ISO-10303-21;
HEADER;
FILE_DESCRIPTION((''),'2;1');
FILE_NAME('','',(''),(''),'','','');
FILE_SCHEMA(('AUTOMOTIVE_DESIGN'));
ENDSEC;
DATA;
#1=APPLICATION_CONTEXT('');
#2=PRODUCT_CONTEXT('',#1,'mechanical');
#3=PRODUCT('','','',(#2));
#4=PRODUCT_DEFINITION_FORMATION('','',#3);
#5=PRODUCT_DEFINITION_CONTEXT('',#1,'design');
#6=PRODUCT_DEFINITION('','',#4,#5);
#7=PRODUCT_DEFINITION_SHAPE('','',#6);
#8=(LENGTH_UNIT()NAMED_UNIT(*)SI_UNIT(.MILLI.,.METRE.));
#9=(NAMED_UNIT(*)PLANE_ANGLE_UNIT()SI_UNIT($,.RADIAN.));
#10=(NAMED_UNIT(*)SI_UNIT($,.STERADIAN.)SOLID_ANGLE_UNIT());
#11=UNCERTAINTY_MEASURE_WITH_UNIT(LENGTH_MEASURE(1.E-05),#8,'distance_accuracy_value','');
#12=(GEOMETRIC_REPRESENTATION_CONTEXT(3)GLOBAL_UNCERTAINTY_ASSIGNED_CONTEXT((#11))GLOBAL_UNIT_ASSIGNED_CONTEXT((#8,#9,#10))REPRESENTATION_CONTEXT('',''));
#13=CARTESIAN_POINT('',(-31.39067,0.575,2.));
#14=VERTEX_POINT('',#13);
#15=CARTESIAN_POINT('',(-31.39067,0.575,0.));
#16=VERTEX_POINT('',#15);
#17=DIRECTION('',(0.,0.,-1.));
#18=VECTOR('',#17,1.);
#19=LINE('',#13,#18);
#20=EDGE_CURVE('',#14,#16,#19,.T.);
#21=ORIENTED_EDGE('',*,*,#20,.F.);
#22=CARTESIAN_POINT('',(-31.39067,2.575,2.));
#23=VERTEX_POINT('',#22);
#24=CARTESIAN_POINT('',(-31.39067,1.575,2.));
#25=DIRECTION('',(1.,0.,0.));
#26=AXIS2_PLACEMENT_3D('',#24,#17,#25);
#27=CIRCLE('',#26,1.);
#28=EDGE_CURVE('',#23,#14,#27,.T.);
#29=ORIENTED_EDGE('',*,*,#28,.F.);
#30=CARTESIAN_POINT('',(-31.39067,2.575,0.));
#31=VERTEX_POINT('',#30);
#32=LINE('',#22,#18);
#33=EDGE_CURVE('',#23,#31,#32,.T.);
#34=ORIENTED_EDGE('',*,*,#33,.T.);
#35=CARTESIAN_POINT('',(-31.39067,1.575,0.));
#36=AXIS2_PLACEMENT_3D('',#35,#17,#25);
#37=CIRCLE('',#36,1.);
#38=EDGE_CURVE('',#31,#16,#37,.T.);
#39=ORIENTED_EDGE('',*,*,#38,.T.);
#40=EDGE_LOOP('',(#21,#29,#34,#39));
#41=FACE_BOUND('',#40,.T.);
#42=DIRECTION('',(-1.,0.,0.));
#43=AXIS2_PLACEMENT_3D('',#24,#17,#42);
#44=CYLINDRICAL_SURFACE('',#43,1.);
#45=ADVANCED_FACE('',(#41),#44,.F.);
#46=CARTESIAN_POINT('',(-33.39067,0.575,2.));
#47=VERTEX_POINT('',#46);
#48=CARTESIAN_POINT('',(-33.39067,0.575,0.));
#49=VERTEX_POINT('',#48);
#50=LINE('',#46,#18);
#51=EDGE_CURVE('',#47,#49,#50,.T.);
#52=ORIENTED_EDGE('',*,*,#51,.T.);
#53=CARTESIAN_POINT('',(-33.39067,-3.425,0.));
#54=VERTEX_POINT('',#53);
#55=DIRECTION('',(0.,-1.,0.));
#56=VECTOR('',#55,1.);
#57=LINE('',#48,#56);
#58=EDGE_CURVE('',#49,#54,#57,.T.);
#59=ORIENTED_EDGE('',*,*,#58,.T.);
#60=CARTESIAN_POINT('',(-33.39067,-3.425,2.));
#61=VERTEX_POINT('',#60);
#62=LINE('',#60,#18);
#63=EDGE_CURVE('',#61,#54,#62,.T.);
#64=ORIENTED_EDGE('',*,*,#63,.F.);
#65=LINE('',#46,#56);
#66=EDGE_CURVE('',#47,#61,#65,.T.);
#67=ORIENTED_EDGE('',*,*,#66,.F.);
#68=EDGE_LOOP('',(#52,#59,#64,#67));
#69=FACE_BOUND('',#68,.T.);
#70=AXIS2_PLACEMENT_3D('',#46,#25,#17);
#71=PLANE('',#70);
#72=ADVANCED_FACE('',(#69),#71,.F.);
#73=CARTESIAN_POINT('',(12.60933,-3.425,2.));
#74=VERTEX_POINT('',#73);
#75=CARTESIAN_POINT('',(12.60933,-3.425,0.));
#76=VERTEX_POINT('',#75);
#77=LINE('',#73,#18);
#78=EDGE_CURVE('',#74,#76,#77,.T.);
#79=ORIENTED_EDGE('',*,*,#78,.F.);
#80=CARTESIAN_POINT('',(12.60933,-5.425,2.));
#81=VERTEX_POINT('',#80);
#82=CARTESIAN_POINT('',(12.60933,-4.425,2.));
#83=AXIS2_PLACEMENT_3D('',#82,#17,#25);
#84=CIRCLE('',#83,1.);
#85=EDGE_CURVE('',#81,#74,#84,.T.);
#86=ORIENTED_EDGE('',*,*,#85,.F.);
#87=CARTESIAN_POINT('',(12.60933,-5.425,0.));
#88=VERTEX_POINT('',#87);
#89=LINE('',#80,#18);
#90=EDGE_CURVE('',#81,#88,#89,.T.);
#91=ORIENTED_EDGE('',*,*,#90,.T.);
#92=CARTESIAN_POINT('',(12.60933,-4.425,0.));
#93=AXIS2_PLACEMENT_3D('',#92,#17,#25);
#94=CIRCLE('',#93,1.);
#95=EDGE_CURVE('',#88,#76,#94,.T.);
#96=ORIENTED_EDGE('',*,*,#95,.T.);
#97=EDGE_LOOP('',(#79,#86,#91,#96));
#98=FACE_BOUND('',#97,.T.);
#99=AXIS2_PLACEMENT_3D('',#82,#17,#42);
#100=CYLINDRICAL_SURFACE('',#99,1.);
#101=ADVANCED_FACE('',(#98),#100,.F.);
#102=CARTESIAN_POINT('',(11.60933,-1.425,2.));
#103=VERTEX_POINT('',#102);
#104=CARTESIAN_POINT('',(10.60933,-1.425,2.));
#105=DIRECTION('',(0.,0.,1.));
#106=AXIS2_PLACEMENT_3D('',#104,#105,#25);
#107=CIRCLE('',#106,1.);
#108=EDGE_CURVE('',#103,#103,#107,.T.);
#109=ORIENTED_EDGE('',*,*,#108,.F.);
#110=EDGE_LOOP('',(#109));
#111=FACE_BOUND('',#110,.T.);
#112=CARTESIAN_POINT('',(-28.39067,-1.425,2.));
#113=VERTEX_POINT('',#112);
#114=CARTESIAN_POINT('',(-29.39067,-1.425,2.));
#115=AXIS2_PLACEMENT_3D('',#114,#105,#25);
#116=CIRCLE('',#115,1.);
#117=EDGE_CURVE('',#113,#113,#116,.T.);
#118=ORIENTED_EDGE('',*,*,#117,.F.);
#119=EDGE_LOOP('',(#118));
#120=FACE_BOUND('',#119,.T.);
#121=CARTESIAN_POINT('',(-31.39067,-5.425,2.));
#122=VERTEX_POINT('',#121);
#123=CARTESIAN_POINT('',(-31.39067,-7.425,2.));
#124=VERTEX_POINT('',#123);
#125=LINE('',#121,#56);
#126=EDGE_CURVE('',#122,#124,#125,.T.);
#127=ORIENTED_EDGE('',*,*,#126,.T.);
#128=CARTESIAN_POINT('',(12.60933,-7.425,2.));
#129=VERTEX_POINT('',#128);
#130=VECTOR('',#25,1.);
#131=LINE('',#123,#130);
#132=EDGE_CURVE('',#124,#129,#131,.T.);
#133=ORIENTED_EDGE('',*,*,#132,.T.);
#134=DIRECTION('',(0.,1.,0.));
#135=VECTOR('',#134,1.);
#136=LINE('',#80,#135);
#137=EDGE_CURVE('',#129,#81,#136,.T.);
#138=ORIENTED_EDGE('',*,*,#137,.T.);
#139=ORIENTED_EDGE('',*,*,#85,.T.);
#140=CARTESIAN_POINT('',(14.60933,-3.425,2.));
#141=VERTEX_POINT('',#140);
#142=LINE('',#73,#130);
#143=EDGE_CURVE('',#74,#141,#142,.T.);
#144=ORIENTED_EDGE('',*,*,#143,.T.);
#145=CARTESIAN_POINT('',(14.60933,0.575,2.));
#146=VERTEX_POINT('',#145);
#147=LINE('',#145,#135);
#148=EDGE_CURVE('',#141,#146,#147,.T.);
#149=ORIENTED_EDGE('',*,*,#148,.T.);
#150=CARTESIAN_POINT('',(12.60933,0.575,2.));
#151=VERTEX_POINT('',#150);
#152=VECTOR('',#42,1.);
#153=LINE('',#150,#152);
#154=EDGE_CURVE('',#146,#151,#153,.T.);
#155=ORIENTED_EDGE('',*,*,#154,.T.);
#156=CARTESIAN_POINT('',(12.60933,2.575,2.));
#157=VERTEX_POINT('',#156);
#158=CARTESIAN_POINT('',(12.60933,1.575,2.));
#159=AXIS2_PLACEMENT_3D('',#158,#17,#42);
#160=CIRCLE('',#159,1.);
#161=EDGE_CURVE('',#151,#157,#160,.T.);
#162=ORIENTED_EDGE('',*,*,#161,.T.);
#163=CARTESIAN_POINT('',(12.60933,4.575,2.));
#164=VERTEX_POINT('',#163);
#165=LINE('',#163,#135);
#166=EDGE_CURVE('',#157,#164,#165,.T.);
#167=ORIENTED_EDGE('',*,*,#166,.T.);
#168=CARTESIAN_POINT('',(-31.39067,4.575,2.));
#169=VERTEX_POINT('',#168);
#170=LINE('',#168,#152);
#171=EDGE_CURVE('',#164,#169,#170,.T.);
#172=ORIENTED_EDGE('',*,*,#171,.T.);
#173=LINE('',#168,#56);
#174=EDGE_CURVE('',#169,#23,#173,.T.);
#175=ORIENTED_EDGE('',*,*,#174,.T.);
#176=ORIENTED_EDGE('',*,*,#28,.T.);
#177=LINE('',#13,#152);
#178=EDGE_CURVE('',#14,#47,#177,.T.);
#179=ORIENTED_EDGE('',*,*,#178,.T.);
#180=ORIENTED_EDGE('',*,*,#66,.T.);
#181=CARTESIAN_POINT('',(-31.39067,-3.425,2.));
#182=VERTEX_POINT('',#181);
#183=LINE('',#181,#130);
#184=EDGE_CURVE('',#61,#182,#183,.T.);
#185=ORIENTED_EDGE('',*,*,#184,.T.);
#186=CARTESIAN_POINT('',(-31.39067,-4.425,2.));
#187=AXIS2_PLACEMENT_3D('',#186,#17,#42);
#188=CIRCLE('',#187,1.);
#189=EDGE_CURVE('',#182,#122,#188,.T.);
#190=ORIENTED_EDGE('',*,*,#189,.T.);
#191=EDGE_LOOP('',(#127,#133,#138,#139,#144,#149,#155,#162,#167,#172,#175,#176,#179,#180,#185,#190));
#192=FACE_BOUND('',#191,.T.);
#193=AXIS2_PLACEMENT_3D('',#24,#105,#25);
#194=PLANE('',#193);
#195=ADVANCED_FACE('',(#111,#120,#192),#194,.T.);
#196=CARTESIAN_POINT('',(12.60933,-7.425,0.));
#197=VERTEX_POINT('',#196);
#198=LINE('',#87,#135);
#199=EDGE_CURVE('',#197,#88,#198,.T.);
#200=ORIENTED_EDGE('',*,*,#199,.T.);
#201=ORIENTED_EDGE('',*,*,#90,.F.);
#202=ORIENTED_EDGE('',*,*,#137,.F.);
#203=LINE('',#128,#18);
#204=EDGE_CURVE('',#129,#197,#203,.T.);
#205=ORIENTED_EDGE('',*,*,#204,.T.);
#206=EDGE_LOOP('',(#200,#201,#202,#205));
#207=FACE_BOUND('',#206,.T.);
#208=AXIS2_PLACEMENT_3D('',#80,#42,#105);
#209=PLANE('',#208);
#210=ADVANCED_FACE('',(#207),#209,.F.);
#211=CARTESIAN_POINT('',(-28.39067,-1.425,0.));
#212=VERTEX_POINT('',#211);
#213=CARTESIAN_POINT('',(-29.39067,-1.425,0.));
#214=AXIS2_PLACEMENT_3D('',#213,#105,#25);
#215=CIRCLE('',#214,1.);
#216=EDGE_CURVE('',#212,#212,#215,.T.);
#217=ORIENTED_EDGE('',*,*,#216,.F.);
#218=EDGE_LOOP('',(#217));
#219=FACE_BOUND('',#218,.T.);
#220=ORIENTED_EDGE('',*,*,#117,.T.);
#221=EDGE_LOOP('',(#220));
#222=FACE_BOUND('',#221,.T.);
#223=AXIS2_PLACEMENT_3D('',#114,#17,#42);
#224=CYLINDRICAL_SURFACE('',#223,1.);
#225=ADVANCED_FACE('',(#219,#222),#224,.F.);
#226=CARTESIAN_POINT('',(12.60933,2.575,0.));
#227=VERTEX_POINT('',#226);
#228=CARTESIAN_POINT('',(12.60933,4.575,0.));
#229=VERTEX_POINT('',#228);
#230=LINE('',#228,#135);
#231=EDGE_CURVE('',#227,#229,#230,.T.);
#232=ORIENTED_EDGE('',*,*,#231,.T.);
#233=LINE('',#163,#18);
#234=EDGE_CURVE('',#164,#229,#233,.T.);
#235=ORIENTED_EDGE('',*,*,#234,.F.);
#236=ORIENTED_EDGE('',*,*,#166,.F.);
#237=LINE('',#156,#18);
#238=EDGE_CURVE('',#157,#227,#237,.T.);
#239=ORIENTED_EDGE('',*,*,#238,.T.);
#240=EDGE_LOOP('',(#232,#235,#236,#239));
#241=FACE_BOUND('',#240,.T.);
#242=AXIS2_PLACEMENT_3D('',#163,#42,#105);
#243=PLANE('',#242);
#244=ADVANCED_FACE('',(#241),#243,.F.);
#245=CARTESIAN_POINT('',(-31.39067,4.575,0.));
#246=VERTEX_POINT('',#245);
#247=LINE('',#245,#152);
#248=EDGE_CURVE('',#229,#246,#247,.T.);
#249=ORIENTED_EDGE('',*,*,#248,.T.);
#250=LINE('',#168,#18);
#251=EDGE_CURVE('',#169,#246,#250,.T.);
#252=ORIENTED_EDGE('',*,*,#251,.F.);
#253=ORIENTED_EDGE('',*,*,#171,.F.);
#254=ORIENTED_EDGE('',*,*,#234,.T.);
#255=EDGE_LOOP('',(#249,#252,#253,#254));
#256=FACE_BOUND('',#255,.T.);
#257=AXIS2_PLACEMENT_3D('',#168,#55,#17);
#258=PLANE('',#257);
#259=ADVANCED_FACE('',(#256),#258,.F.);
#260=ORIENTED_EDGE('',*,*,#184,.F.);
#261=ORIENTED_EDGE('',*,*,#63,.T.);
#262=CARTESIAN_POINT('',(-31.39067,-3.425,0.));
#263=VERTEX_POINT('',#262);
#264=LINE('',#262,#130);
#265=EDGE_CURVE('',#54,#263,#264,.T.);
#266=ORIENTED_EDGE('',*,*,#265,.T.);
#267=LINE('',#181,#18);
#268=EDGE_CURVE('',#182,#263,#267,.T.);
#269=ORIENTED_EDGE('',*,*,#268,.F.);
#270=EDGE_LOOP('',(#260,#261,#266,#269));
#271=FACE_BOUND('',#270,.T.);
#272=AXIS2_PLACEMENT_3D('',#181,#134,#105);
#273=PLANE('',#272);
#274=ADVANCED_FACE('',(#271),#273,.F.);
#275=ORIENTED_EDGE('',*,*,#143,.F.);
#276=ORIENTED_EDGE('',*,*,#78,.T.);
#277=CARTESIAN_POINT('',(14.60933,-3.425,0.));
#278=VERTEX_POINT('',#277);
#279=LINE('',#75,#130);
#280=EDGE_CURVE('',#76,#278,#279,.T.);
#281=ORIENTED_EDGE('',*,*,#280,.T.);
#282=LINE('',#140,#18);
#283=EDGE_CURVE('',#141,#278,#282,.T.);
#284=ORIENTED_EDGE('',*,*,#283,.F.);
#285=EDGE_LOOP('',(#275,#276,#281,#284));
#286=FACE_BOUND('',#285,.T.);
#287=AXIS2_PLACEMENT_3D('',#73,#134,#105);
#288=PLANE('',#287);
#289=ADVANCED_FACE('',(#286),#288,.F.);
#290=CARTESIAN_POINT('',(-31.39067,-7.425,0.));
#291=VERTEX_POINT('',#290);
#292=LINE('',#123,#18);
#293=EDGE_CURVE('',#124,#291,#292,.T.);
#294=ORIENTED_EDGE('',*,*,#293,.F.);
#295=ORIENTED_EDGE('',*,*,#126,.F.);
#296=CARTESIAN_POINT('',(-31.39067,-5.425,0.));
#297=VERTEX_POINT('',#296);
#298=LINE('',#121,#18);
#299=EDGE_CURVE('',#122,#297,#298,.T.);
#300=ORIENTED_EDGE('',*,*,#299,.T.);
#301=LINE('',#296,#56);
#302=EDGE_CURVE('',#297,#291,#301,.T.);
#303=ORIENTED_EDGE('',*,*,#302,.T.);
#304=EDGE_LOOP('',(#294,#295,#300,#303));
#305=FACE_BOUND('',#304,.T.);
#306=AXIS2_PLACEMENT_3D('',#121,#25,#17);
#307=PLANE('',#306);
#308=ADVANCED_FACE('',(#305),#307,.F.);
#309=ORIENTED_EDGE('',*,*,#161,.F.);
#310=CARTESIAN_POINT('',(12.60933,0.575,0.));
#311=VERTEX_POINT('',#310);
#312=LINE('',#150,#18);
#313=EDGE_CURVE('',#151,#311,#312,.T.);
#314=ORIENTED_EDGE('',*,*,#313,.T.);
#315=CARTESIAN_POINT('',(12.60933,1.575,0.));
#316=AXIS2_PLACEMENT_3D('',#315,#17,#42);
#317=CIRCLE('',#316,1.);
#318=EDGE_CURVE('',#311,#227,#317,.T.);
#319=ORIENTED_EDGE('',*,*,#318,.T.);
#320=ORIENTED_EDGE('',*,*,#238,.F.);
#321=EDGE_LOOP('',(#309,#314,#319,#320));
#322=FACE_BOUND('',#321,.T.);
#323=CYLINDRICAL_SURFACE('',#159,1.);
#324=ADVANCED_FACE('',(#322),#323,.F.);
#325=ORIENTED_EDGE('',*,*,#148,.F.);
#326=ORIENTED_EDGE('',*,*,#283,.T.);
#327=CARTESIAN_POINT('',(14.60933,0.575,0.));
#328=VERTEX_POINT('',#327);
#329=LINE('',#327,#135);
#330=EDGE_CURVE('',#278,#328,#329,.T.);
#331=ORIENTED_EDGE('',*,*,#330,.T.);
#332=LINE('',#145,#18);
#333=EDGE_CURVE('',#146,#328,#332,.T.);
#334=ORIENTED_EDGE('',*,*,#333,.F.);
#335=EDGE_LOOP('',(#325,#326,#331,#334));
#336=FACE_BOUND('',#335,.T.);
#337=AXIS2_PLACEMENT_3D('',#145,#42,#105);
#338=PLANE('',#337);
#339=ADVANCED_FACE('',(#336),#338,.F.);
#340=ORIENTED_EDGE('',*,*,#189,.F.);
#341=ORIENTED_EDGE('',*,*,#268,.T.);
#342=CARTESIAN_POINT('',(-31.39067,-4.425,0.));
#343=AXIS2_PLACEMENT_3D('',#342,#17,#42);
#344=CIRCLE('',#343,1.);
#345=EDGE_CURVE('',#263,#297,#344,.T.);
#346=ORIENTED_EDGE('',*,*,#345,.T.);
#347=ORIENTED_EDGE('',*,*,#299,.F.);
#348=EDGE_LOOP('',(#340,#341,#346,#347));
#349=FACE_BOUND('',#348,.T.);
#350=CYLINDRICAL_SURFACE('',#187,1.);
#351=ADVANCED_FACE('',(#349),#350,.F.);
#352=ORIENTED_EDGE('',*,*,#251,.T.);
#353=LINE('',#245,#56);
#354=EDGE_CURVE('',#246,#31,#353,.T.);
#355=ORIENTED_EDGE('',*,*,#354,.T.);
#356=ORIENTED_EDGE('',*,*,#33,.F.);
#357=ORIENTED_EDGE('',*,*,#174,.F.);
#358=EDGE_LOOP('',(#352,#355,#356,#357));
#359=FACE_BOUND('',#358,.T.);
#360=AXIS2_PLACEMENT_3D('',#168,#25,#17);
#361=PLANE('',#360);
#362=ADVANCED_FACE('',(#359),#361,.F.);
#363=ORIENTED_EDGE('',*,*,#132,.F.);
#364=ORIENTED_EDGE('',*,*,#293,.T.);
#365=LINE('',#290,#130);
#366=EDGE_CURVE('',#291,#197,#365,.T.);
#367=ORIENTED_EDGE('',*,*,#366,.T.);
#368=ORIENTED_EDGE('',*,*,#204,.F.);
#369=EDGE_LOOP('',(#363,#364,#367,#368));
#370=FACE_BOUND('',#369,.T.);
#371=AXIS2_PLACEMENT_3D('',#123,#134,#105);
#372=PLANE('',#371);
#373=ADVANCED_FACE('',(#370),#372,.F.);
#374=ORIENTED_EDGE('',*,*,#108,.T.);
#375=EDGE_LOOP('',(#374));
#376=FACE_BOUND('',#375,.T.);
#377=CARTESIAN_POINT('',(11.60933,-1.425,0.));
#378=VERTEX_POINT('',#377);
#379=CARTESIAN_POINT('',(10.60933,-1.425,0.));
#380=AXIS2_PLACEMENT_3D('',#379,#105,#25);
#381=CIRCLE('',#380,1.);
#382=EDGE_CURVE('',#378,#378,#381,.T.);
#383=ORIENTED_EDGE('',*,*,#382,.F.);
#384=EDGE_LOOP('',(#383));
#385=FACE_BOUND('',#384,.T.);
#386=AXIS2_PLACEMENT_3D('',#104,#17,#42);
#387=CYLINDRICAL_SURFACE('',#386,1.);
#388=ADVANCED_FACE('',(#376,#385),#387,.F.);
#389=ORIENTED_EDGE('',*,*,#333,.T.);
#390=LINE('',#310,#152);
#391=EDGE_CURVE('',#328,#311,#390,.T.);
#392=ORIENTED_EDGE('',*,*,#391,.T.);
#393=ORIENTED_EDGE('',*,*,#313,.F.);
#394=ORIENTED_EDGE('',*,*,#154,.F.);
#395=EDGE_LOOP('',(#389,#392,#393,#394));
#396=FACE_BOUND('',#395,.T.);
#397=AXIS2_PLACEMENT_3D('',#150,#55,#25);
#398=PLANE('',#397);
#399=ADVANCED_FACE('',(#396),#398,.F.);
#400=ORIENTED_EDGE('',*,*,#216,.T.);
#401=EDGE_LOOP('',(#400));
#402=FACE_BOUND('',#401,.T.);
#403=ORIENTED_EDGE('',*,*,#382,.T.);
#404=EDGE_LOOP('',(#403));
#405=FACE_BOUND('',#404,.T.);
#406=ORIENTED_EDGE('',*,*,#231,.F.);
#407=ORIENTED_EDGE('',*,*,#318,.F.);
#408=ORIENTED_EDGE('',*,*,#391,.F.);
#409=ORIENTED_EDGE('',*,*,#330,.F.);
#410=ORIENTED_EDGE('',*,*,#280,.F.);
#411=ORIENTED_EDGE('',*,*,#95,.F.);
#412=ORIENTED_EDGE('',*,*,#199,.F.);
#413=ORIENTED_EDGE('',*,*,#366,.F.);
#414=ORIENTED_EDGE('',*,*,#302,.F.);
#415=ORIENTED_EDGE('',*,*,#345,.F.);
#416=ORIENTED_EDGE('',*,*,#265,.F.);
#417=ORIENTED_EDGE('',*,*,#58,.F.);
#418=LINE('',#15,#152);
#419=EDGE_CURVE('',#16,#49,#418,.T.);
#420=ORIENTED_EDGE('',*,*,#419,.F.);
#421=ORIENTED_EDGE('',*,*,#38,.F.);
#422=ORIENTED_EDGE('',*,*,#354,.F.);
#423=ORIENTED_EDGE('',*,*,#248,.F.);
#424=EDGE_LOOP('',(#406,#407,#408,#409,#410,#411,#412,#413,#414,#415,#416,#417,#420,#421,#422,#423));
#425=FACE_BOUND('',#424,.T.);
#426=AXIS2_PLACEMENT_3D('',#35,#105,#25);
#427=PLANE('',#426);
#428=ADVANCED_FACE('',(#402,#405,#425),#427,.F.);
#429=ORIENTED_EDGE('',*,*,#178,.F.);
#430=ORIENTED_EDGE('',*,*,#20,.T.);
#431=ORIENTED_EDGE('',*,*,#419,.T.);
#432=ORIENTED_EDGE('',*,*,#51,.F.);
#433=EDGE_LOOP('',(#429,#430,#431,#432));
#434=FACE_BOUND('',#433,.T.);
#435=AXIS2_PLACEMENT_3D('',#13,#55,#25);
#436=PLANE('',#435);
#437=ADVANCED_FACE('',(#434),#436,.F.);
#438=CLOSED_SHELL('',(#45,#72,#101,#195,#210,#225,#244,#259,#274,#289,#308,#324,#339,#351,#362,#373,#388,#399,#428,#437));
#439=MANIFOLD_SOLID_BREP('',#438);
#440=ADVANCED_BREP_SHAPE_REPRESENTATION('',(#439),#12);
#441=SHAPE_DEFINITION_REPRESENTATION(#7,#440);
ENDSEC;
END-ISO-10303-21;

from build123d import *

# Parameters (mm, degrees)
SKETCH_1_R      = 1
EXTRUDE_1_DEPTH = 2


with BuildPart() as part:
    # 草圖1 → 填料-伸長1 (new body)
    with BuildSketch(Plane.XY):
        with BuildLine():
            Line((-31.390669594, -5.425), (-31.390669594, -7.425))
            Line((-31.390669594, -7.425), (12.609330406, -7.425))
            Line((12.609330406, -7.425), (12.609330406, -5.425))
            ThreePointArc((12.609330406, -5.425), (11.609330406, -4.425), (12.609330406, -3.425))
            Line((12.609330406, -3.425), (14.609330406, -3.425))
            Line((14.609330406, -3.425), (14.609330406, 0.575))
            Line((14.609330406, 0.575), (12.609330406, 0.575))
            ThreePointArc((12.609330406, 0.575), (11.609330406, 1.575), (12.609330406, 2.575))
            Line((12.609330406, 2.575), (12.609330406, 4.575))
            Line((12.609330406, 4.575), (-31.390669594, 4.575))
            Line((-31.390669594, 4.575), (-31.390669594, 2.575))
            ThreePointArc((-31.390669594, 2.575), (-30.390669594, 1.575), (-31.390669594, 0.575))
            Line((-31.390669594, 0.575), (-33.390669594, 0.575))
            Line((-33.390669594, 0.575), (-33.390669594, -3.425))
            Line((-33.390669594, -3.425), (-31.390669594, -3.425))
            ThreePointArc((-31.390669594, -3.425), (-30.390669594, -4.425), (-31.390669594, -5.425))
        make_face()
        with Locations((-29.390669594, -1.425)):
            Circle(SKETCH_1_R, mode=Mode.SUBTRACT)
        with Locations((10.609330406, -1.425)):
            Circle(SKETCH_1_R, mode=Mode.SUBTRACT)
    extrude(amount=EXTRUDE_1_DEPTH)


solid = part.part
